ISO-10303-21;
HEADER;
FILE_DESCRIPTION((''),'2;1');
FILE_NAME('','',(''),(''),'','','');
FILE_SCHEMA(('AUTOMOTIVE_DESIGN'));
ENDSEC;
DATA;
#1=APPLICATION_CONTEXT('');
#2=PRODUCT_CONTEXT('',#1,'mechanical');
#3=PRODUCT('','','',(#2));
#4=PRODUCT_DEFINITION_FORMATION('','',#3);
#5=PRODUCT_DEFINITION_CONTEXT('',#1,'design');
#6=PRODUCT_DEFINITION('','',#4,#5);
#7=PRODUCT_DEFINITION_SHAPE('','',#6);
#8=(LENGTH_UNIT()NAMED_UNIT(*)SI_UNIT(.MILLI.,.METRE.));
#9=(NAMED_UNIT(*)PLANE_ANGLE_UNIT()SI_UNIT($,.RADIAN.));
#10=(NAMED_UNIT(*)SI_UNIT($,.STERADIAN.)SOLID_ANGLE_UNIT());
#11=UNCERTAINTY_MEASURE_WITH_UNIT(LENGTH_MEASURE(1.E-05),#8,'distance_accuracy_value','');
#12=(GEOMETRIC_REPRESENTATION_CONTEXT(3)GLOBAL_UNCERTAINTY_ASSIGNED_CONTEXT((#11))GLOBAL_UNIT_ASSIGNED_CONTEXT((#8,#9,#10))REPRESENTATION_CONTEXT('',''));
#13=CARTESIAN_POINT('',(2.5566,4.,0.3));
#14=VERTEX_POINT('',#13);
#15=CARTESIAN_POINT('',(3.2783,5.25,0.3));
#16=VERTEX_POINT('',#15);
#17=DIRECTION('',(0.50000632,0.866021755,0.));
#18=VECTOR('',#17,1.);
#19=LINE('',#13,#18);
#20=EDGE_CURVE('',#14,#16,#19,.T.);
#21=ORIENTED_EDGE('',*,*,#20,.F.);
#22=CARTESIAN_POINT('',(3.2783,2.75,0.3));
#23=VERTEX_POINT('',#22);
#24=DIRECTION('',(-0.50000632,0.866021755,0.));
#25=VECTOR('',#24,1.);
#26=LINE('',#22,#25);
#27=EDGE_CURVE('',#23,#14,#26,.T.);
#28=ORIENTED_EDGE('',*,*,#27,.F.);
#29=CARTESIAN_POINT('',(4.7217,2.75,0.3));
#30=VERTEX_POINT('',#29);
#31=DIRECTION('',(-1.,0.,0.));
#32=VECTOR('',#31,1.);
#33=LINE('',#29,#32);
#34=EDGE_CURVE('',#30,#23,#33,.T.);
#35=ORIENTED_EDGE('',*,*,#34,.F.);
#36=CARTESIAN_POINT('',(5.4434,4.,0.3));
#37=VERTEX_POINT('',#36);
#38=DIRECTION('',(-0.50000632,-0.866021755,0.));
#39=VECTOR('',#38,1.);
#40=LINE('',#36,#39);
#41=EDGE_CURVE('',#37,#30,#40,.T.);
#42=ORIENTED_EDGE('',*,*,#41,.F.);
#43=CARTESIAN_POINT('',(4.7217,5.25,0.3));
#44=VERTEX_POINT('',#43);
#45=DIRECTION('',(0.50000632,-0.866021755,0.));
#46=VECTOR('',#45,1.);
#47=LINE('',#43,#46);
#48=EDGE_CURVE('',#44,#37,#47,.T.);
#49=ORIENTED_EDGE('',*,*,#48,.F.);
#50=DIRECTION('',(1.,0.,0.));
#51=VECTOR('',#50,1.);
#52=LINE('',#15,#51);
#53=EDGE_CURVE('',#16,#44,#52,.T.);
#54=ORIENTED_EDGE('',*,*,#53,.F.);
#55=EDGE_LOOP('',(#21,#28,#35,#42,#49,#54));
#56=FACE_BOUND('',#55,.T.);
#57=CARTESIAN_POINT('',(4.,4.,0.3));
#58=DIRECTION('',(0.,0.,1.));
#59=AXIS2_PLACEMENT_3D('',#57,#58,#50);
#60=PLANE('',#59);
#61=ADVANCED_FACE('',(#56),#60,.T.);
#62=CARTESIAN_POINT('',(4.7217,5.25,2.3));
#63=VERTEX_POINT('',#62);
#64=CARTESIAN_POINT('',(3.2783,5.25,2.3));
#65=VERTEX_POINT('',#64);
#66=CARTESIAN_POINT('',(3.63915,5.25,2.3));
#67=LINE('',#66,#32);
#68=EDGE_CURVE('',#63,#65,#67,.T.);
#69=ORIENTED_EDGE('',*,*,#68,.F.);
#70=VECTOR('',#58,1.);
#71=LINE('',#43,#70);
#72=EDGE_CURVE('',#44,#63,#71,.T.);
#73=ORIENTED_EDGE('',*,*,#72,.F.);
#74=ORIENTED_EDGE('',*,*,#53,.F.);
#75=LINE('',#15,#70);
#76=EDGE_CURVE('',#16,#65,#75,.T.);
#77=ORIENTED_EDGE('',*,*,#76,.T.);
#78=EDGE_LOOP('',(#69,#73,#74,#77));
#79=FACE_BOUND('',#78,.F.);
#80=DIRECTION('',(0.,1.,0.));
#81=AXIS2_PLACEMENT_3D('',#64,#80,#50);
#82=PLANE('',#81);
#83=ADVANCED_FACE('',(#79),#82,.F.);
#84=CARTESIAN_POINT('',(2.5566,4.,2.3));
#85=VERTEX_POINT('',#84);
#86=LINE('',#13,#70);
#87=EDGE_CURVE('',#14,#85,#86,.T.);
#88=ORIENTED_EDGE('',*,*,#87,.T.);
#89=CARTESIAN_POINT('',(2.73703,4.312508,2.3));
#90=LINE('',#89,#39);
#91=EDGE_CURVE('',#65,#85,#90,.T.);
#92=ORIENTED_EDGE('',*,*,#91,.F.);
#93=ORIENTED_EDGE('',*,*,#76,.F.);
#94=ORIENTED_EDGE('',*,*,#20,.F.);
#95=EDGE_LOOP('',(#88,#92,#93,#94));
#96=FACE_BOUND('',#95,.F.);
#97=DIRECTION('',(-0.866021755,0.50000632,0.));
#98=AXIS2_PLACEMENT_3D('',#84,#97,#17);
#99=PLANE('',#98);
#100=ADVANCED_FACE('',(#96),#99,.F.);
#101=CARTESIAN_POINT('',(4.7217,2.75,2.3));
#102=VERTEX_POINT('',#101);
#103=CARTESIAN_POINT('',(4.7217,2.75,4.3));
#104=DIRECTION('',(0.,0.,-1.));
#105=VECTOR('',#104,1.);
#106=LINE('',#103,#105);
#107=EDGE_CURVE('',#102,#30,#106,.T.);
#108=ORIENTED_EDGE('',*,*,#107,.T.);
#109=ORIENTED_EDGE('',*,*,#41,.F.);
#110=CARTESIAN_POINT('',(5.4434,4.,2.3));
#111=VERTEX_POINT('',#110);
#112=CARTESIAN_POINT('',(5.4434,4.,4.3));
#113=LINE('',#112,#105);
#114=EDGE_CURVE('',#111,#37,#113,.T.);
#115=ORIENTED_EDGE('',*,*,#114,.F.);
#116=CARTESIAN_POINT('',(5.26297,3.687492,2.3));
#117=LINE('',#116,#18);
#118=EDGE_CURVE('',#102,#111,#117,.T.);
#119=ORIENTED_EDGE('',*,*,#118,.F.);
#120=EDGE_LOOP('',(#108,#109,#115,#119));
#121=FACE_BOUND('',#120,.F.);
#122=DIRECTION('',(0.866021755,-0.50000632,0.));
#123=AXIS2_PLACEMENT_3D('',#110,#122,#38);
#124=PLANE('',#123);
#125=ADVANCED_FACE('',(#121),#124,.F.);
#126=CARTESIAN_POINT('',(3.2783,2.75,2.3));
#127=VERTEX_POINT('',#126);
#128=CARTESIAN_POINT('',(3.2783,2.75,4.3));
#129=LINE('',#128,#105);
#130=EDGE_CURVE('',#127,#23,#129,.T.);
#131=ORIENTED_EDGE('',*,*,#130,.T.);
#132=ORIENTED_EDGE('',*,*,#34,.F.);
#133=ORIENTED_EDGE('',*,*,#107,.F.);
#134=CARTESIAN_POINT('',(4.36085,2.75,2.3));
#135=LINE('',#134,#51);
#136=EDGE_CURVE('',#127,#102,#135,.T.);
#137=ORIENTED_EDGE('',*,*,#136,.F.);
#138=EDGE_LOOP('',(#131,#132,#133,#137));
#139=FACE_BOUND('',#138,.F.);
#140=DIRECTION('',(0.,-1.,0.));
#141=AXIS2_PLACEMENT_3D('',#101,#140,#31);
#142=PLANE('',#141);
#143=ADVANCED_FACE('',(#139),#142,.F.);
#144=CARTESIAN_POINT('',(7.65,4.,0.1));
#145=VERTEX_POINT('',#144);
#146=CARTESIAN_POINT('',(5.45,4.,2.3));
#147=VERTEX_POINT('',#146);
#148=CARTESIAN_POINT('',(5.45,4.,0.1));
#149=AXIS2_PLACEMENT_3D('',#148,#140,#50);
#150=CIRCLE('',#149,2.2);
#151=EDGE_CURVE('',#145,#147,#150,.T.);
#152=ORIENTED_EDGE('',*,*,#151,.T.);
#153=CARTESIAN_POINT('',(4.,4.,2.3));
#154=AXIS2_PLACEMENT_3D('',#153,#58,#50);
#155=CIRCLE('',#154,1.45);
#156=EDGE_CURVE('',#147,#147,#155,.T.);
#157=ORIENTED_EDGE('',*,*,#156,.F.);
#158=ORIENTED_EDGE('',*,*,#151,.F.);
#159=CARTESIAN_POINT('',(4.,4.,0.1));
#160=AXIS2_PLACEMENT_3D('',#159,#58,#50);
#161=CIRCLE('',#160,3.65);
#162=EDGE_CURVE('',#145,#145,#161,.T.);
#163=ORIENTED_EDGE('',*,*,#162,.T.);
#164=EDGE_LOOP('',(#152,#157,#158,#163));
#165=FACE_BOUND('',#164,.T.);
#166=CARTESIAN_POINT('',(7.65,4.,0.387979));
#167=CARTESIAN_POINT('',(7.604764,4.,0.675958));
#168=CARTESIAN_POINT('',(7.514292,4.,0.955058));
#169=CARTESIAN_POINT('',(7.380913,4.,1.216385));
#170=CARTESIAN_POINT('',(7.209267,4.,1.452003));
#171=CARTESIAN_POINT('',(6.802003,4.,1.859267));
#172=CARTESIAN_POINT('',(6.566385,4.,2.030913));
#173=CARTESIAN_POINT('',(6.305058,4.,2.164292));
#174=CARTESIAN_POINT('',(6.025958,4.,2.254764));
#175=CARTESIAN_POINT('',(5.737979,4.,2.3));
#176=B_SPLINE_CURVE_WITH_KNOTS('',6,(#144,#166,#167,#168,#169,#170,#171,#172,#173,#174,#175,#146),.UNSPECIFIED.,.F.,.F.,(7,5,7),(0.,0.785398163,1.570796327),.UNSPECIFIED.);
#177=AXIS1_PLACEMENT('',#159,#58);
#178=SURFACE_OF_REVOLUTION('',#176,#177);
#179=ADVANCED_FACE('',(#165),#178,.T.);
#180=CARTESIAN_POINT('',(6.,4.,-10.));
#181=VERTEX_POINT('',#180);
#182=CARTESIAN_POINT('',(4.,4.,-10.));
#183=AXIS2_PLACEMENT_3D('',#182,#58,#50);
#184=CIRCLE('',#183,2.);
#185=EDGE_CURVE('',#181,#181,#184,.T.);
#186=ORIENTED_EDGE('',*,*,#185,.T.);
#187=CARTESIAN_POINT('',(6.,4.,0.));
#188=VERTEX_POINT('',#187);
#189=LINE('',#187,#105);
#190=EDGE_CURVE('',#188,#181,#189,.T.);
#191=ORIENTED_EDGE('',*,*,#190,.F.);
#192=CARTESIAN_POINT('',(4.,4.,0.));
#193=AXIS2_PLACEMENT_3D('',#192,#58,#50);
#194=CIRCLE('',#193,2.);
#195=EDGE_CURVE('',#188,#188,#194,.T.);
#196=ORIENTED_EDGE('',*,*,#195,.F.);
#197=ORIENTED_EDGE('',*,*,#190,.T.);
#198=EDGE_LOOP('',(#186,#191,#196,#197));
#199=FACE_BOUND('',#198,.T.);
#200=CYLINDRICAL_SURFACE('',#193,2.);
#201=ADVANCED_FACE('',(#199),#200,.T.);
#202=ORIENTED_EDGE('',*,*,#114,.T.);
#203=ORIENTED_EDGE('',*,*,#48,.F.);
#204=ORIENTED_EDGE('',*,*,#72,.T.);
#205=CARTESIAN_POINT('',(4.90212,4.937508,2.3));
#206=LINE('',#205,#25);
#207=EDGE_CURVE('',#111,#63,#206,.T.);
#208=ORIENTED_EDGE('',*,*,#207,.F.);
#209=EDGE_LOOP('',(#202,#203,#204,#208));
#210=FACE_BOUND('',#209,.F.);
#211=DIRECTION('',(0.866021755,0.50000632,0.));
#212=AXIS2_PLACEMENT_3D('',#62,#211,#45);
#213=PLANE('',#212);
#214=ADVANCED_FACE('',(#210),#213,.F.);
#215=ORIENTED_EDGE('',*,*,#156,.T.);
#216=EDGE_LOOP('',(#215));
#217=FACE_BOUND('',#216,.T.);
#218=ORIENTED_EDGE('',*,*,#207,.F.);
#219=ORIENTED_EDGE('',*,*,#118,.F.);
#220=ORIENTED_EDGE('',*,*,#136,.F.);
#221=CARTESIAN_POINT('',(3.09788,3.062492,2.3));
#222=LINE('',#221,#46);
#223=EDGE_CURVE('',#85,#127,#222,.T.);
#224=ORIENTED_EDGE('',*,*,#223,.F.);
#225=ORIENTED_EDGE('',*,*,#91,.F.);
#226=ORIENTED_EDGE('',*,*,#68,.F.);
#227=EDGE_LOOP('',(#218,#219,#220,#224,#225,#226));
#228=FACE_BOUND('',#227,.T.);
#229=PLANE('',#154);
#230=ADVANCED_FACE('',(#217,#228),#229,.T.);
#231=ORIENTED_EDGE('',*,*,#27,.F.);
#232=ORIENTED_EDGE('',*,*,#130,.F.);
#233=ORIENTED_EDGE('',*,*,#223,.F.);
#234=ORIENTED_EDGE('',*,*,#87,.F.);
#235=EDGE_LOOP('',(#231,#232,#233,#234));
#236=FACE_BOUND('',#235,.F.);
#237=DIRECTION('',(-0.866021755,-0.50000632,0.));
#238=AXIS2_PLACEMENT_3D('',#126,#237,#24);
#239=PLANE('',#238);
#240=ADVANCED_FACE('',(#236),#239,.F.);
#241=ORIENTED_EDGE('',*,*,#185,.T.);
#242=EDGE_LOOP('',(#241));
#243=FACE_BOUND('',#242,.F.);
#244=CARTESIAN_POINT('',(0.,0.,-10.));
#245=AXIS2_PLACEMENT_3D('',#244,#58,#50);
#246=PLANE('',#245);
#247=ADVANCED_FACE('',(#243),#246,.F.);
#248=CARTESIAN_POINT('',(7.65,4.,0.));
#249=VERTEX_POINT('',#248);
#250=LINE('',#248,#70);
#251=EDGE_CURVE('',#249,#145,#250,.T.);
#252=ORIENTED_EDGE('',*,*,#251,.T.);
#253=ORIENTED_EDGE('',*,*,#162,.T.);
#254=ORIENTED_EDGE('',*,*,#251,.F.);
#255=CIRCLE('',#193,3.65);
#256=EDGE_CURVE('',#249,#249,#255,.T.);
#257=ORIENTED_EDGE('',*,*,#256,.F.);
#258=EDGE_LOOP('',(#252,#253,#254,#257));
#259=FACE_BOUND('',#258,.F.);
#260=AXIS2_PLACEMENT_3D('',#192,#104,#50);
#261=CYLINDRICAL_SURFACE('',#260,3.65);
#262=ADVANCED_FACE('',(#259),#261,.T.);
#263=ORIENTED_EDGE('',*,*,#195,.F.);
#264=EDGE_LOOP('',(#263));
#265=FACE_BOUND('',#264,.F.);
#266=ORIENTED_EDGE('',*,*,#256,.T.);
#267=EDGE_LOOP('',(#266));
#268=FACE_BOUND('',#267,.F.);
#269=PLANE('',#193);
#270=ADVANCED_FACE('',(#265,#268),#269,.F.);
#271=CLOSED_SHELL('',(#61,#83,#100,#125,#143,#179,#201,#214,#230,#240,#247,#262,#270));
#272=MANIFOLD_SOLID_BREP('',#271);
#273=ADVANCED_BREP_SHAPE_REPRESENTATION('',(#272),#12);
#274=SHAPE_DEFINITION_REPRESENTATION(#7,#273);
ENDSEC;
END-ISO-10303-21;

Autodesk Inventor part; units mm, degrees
ref_plane "YZ Plane" through (0, 0, 0) normal (1, 0, 0) x (0, 1, 0)
ref_plane "XZ Plane" through (0, 0, 0) normal (0, 1, 0) x (-1, 0, 0)
ref_plane "XY Plane" through (0, 0, 0) normal (0, 0, 1) x (1, 0, 0)
sketch "Sketch1" plane through (0, 0, 0) normal (0, 0, 1) x (1, 0, 0)
  circle A0 centre (4, 4) radius 1.2 projected
  circle A1 centre (4, 4) radius 2
  point P0 (0, 0)
  dimension "d0" = 4
extrude "Extrusion1" add sketch "Sketch1" against normal blind 10 contours A0 | A1
sketch "Sketch2" plane through (4, 4, 0) normal (0, 0, 1) x (1, 0, 0)
  circle A0 centre (0, 0) radius 2 projected
  circle A1 centre (0, 0) radius 3.65
  point P0 (-4, -4)
  dimension "d3" = 7.3
extrude "Extrusion2" add sketch "Sketch2" along normal blind 2.3 contours A0 | A1
fillet "Fillet1" radius 2.2 1 edges at (0.35, 4, 2.3)
sketch "Sketch4" plane through (4, 4, 2.3) normal (0, 0, 1) x (1, 0, 0)
  circle A0 centre (0, 0) radius 1.45 projected
  line L0 (0.7217, 1.25) -> (1.4434, 0)
  line L1 (1.4434, 0) -> (0.7217, -1.25)
  line L2 (0.7217, -1.25) -> (-0.7217, -1.25)
  line L3 (-0.7217, -1.25) -> (-1.4434, 0)
  line L4 (-1.4434, 0) -> (-0.7217, 1.25)
  line L5 (-0.7217, 1.25) -> (0.7217, 1.25)
  point P0 (-4, -4)
  dimension "d10" = 2.5
extrude "Extrusion4" cut sketch "Sketch4" along normal mid plane 4 contours L0 L1 L2 L3 L4 L5
thread "Thread1" size "M3x0.5" class "6g" standard "ANSI Metric M Profile" full length
properties part number "m3 6" material "Steel"
